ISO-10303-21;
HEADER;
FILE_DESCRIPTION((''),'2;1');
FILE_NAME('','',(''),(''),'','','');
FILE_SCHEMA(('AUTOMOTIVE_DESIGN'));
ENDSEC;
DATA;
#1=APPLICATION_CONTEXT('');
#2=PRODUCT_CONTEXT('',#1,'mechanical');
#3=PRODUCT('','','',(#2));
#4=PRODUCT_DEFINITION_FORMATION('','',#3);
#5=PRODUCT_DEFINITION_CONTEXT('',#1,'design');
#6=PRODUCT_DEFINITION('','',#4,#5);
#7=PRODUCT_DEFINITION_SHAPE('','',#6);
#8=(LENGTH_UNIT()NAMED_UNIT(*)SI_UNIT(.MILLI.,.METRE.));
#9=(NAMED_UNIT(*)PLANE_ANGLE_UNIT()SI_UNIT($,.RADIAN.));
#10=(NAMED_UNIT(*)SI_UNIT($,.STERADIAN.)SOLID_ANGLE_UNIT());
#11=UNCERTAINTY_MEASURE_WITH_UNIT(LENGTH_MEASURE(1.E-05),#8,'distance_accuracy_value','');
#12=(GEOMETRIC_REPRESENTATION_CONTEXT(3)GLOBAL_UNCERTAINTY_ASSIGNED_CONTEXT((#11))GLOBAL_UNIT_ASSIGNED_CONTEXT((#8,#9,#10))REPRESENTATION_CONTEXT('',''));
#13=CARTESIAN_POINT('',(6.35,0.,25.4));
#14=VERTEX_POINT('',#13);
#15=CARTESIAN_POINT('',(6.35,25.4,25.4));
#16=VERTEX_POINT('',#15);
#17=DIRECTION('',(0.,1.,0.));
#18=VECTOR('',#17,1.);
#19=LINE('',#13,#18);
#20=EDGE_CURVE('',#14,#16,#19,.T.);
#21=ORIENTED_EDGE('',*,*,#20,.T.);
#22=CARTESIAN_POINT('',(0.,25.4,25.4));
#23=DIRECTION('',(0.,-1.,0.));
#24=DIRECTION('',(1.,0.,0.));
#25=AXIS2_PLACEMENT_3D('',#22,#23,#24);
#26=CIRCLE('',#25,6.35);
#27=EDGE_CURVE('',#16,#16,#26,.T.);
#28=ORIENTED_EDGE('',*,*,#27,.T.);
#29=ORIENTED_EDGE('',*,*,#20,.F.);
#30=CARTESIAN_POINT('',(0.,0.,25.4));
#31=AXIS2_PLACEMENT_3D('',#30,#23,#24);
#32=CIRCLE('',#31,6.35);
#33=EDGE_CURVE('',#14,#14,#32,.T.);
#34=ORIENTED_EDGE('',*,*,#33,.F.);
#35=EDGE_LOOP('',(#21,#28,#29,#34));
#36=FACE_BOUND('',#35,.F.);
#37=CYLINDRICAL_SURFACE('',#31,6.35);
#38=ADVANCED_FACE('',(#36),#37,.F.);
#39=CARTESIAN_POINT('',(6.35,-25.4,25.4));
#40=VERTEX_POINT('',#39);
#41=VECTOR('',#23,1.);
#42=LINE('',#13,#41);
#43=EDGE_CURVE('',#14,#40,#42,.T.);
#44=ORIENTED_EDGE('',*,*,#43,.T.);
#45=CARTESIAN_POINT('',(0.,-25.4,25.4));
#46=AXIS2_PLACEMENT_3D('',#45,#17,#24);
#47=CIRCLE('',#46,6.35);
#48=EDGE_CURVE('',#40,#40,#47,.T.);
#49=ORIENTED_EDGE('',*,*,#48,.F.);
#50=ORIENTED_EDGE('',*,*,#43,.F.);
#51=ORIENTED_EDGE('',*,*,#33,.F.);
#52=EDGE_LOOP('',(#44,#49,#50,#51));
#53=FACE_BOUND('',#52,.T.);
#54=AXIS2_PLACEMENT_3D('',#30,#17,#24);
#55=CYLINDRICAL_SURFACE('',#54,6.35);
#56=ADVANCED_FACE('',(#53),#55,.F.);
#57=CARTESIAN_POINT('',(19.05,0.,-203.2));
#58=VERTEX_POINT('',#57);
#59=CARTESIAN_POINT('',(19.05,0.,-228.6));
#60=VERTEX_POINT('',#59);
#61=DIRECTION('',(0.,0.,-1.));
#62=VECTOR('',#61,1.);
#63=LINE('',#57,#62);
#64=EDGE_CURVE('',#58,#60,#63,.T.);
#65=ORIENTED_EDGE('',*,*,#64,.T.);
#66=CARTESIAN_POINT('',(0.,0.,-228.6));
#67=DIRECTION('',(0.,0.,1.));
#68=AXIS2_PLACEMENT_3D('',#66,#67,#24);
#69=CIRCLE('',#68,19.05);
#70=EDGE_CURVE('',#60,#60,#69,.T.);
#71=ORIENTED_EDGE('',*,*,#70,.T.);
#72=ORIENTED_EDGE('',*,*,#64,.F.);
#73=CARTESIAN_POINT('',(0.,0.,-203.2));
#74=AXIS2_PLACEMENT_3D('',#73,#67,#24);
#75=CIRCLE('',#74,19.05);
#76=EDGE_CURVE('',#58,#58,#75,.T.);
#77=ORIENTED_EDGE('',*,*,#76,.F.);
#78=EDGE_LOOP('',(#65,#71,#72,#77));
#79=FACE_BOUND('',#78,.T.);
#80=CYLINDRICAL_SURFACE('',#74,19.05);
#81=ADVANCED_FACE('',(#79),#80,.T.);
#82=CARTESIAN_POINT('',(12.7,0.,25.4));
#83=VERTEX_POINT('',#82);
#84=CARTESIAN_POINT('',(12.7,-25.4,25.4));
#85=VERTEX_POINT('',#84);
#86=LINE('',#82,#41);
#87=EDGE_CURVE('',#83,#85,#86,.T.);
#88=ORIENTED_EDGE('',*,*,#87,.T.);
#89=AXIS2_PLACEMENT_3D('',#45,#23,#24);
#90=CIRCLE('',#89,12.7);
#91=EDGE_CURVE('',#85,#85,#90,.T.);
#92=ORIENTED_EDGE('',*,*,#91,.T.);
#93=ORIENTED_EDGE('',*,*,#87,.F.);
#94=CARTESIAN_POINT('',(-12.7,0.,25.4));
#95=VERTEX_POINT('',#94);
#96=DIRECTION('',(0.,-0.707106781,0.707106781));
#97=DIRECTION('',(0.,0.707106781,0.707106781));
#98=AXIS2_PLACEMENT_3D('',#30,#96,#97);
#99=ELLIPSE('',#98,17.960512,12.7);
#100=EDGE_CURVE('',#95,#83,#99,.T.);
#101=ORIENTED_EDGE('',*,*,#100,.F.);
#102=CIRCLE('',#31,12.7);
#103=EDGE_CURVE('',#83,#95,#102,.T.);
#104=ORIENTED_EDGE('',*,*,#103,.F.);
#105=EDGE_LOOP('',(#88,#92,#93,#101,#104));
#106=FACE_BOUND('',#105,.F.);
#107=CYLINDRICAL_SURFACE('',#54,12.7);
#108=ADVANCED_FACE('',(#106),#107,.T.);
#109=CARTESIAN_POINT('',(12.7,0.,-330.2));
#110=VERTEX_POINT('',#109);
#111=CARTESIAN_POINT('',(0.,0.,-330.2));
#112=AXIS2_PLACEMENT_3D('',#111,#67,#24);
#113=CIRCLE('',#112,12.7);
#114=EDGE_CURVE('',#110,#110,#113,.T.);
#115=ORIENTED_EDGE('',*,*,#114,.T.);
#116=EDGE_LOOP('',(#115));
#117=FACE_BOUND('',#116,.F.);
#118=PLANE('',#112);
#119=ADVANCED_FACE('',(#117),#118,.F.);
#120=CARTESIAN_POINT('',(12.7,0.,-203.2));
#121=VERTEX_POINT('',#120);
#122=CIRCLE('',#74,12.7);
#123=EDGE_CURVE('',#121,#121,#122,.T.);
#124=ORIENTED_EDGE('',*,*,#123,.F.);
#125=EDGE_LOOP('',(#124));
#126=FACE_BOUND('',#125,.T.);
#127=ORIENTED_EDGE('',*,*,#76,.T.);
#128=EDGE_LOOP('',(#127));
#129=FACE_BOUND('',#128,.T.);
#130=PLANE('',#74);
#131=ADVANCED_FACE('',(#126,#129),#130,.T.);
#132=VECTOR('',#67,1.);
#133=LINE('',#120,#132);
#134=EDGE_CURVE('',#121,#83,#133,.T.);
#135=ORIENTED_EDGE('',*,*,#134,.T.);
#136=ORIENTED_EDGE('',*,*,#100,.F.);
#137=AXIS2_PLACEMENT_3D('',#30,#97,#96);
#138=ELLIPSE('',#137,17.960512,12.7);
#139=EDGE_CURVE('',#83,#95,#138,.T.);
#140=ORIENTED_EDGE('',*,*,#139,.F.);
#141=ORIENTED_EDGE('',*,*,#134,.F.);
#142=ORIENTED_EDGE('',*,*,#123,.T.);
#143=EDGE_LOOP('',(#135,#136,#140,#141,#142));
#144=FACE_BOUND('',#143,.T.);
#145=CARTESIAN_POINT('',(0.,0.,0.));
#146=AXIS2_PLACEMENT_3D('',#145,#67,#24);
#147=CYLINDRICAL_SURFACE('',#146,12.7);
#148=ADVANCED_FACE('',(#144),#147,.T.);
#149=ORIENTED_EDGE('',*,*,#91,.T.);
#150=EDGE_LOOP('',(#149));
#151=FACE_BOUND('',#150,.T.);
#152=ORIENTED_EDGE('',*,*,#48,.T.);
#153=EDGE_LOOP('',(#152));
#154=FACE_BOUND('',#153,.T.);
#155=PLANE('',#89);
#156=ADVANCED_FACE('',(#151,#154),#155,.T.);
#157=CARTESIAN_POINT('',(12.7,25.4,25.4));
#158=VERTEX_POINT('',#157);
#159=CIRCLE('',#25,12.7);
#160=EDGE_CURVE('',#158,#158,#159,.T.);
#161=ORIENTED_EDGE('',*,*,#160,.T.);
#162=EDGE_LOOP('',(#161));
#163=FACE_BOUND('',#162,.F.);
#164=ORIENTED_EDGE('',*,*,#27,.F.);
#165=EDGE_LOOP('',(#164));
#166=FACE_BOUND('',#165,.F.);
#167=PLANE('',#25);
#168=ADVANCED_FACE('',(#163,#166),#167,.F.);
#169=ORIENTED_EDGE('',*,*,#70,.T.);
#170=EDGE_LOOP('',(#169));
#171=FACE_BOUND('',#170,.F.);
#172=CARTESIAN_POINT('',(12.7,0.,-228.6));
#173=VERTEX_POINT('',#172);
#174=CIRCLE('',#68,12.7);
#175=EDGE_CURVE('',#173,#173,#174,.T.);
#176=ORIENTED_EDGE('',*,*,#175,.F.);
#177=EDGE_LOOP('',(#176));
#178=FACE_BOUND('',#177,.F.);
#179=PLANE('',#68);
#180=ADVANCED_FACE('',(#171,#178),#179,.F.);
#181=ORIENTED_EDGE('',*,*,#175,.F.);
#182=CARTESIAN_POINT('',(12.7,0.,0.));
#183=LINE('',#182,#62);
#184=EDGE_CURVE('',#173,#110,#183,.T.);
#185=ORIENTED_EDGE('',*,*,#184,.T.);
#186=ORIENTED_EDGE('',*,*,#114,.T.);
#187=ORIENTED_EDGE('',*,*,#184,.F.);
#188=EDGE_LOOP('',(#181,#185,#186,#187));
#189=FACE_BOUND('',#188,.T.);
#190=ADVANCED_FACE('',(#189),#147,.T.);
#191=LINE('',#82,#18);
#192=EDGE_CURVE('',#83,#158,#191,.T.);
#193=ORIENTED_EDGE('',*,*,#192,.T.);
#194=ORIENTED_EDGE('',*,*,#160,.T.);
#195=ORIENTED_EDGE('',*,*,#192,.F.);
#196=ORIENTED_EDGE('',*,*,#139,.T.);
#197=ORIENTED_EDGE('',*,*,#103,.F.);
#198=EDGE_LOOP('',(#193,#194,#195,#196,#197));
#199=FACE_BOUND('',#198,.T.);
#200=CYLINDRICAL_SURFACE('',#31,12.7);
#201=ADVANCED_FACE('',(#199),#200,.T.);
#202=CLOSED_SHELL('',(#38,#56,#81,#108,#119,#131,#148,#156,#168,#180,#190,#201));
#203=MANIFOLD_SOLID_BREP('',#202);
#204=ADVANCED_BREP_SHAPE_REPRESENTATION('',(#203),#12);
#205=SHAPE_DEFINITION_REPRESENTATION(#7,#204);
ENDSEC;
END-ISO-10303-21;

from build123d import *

# Parameters (mm, degrees)
F0_R          = 12.7
F1_DEPTH      = 330.2
F1_DEPTH_BACK = 25.4
F3_R          = 19.05
F4_DEPTH      = 25.4
F5_R          = 12.7
F6_DEPTH      = 25.4
F6_DEPTH_BACK = 25.4
F7_R          = 6.35
F8_DEPTH      = 25.401
F8_DEPTH_BACK = 25.401


with BuildPart() as f1:
    # F0 (on Top) → F1 (new body, two sides)
    with BuildSketch(Plane.XY) as f1_sk:
        Circle(F0_R)
    extrude(amount=-F1_DEPTH)
    extrude(f1_sk.sketch, amount=F1_DEPTH_BACK)

    # F3 (on offset) → F4 (join)
    with BuildSketch(Plane.XY.offset(-203.2)):
        Circle(F3_R)
    extrude(amount=-F4_DEPTH)

    # F5 (on Front) → F6 (join, two sides)
    with BuildSketch(Plane.XZ) as f6_sk:
        with Locations((0, 25.4)):
            Circle(F5_R)
    extrude(amount=F6_DEPTH)
    extrude(f6_sk.sketch, amount=-F6_DEPTH_BACK)

    # F7 (on Front) → F8 (cut, two sides)
    with BuildSketch(Plane.XZ) as f8_sk:
        with Locations((0, 25.4)):
            Circle(F7_R)
    extrude(amount=-F8_DEPTH, mode=Mode.SUBTRACT)
    extrude(f8_sk.sketch, amount=F8_DEPTH_BACK, mode=Mode.SUBTRACT)


solid = f1.part
